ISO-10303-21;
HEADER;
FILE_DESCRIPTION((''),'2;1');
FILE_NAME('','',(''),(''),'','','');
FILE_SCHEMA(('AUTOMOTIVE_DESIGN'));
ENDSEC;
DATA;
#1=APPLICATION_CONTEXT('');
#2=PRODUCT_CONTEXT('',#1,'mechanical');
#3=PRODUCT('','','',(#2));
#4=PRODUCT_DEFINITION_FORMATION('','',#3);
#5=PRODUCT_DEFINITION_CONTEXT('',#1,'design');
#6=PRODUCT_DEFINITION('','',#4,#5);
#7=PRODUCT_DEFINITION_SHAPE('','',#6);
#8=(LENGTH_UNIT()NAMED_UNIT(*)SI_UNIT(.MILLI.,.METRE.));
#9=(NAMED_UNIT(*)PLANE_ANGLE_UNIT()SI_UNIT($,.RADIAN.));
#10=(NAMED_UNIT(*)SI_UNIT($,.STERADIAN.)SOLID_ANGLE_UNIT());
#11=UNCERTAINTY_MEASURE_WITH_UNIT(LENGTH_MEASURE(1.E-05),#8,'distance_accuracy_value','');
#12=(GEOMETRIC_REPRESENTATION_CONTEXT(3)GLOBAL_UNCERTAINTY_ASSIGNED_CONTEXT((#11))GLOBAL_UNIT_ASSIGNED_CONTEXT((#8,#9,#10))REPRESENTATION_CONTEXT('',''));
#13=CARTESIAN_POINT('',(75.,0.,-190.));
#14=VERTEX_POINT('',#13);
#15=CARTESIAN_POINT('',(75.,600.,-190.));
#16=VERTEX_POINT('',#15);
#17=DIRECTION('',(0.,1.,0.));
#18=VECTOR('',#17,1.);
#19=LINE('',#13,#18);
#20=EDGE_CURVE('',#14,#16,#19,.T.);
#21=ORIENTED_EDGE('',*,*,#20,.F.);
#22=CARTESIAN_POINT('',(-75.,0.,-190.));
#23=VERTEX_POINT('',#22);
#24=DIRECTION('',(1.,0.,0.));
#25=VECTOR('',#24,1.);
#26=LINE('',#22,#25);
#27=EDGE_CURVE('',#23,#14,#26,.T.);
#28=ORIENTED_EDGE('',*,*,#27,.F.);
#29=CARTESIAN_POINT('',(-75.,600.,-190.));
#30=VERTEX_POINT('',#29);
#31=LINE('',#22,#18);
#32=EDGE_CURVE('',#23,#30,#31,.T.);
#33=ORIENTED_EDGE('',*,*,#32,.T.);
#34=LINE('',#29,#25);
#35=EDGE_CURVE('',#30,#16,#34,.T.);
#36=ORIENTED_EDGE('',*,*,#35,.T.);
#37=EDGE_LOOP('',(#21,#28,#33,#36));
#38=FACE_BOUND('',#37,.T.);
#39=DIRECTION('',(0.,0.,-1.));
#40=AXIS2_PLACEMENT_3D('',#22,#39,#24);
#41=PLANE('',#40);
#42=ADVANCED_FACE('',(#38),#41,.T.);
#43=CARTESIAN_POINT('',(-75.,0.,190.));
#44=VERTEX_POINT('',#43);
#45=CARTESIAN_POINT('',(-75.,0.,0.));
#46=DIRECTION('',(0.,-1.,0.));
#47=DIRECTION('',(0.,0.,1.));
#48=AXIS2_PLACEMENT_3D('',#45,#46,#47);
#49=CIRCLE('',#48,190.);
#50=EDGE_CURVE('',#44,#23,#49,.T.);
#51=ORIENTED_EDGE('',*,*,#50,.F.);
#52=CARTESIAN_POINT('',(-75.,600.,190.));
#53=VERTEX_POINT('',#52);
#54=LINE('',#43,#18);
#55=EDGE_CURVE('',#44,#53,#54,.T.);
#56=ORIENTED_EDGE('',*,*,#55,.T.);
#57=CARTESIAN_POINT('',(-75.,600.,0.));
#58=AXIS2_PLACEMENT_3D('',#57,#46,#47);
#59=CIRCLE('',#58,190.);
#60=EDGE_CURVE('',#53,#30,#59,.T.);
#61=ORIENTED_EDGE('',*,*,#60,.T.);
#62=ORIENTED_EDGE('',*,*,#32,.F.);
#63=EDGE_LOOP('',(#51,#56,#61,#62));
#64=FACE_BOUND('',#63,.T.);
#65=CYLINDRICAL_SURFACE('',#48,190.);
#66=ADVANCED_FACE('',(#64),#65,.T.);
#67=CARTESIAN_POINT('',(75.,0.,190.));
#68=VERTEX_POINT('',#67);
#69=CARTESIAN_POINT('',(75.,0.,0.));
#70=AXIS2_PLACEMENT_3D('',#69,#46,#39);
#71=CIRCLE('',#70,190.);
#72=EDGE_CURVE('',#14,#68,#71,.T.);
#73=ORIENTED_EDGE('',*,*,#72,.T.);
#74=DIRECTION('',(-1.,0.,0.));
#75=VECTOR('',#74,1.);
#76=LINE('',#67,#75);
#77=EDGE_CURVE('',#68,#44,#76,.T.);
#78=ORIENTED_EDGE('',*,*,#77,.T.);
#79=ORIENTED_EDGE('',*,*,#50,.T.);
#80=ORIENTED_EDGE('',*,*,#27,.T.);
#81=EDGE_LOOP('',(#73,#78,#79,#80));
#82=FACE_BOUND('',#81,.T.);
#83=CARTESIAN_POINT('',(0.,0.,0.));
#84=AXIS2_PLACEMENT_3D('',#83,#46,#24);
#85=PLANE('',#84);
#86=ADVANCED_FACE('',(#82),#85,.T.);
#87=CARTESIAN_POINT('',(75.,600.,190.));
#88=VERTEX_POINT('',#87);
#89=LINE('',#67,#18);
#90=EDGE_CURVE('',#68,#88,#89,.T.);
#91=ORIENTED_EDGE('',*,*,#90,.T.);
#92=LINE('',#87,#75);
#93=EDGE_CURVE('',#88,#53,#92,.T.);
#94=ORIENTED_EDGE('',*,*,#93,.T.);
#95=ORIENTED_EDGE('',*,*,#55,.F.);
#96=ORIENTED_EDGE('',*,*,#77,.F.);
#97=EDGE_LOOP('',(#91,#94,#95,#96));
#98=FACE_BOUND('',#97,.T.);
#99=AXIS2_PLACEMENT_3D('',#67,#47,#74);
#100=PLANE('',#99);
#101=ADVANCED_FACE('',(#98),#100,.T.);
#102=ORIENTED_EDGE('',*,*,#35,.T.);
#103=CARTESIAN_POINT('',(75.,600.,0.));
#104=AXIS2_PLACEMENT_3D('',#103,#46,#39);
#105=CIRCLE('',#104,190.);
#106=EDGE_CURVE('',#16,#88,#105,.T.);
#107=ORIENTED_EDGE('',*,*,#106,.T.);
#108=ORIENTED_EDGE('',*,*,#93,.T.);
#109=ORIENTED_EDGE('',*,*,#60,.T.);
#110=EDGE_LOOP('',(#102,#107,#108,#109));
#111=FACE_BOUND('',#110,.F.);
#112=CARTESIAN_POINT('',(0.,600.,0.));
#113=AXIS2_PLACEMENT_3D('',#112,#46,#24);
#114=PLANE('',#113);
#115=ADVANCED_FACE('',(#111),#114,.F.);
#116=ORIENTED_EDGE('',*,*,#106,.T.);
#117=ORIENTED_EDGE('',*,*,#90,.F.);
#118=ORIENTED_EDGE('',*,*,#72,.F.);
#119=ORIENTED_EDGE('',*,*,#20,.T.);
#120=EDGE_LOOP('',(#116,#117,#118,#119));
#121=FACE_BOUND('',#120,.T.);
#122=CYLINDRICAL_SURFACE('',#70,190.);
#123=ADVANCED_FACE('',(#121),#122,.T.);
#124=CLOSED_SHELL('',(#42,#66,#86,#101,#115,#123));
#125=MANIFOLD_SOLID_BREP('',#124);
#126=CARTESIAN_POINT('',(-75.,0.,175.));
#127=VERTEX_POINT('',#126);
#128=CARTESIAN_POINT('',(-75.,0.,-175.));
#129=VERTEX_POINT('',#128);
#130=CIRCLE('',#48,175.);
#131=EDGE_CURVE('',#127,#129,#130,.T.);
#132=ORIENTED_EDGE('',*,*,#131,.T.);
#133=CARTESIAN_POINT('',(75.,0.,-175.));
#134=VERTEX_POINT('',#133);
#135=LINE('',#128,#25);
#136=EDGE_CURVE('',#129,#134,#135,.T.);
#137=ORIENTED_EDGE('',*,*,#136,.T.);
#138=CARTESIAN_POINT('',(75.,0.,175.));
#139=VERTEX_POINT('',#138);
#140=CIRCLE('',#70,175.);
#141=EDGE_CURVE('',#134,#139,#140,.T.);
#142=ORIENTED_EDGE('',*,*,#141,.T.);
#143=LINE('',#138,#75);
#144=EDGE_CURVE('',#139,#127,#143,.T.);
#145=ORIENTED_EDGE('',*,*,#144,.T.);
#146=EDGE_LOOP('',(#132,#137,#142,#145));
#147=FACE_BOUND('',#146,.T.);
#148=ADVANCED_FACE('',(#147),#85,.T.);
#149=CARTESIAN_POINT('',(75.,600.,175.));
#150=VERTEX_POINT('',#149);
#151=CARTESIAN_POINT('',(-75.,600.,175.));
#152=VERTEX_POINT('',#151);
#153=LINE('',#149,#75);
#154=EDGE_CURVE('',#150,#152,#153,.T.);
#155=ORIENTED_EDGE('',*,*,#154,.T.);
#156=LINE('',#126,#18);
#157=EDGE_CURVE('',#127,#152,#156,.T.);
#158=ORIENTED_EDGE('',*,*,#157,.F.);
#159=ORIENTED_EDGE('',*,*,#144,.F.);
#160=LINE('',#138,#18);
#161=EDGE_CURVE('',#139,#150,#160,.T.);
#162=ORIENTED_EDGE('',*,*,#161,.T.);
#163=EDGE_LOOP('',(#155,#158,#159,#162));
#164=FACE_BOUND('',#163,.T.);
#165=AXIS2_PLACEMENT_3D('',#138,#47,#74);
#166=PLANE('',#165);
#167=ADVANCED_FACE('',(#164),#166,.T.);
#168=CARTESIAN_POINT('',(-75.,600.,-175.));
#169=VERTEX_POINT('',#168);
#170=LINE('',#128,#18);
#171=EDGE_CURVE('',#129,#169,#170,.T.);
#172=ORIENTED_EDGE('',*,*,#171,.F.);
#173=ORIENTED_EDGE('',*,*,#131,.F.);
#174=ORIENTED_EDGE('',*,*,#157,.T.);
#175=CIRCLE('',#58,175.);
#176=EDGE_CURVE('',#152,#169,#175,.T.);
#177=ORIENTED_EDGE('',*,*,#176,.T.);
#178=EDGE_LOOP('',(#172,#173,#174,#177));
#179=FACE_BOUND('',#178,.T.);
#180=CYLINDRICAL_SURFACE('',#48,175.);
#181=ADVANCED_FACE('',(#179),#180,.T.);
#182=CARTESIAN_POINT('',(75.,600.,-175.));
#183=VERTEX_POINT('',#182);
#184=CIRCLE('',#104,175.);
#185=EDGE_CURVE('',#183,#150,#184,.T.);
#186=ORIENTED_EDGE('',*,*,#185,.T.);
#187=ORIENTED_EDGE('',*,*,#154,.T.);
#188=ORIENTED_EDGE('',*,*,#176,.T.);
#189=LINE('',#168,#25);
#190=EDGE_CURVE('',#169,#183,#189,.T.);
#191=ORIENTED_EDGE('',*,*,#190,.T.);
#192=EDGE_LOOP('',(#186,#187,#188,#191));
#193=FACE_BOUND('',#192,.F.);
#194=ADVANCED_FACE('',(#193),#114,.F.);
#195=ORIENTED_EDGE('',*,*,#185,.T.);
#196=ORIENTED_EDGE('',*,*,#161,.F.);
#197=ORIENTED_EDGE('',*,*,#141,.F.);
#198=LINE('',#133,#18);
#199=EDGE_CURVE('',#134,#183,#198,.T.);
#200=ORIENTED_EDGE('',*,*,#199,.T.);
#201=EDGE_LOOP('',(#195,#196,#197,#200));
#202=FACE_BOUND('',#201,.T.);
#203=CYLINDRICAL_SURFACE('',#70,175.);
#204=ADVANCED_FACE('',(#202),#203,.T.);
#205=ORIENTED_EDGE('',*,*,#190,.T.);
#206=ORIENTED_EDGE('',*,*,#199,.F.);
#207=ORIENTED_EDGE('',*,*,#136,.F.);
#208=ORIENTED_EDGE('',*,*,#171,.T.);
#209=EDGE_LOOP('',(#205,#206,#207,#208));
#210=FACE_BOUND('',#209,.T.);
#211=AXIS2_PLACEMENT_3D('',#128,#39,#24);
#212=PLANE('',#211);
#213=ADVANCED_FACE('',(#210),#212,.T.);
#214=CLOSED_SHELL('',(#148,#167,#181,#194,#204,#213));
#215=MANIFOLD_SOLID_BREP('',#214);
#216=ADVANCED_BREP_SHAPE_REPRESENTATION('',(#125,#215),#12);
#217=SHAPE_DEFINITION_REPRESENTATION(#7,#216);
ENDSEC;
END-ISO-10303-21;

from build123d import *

# Parameters (mm, degrees)
F2_DEPTH = 600


with BuildPart() as f2:
    # F1 (on face) → F2 (new body)
    with BuildSketch(Plane.XZ):
        with BuildLine():
            Line((75, 190), (-75, 190))
            ThreePointArc((-75, 190), (-265, 0), (-75, -190))
            Line((-75, -190), (75, -190))
            ThreePointArc((75, -190), (265, 0), (75, 190))
        make_face()
        with BuildLine():
            ThreePointArc((-75, -175), (-250, 0), (-75, 175))
            Line((-75, 175), (75, 175))
            ThreePointArc((75, 175), (250, 0), (75, -175))
            Line((75, -175), (-75, -175))
        make_face(mode=Mode.SUBTRACT)
        with BuildLine():
            Line((75, 175), (-75, 175))
            ThreePointArc((-75, 175), (-250, 0), (-75, -175))
            Line((-75, -175), (75, -175))
            ThreePointArc((75, -175), (250, 0), (75, 175))
        make_face()
    extrude(amount=-F2_DEPTH)


with BuildPart() as f2b:
    # F0 (on Front) → F2, piece 2 (new body)
    with BuildSketch(Plane.XZ):
        with BuildLine():
            ThreePointArc((-75, 175), (-250, 0), (-75, -175))
            Line((-75, -175), (75, -175))
            ThreePointArc((75, -175), (250, 0), (75, 175))
            Line((75, 175), (-75, 175))
        make_face()
    extrude(amount=-F2_DEPTH)


solid = Compound([f2.part, f2b.part])
